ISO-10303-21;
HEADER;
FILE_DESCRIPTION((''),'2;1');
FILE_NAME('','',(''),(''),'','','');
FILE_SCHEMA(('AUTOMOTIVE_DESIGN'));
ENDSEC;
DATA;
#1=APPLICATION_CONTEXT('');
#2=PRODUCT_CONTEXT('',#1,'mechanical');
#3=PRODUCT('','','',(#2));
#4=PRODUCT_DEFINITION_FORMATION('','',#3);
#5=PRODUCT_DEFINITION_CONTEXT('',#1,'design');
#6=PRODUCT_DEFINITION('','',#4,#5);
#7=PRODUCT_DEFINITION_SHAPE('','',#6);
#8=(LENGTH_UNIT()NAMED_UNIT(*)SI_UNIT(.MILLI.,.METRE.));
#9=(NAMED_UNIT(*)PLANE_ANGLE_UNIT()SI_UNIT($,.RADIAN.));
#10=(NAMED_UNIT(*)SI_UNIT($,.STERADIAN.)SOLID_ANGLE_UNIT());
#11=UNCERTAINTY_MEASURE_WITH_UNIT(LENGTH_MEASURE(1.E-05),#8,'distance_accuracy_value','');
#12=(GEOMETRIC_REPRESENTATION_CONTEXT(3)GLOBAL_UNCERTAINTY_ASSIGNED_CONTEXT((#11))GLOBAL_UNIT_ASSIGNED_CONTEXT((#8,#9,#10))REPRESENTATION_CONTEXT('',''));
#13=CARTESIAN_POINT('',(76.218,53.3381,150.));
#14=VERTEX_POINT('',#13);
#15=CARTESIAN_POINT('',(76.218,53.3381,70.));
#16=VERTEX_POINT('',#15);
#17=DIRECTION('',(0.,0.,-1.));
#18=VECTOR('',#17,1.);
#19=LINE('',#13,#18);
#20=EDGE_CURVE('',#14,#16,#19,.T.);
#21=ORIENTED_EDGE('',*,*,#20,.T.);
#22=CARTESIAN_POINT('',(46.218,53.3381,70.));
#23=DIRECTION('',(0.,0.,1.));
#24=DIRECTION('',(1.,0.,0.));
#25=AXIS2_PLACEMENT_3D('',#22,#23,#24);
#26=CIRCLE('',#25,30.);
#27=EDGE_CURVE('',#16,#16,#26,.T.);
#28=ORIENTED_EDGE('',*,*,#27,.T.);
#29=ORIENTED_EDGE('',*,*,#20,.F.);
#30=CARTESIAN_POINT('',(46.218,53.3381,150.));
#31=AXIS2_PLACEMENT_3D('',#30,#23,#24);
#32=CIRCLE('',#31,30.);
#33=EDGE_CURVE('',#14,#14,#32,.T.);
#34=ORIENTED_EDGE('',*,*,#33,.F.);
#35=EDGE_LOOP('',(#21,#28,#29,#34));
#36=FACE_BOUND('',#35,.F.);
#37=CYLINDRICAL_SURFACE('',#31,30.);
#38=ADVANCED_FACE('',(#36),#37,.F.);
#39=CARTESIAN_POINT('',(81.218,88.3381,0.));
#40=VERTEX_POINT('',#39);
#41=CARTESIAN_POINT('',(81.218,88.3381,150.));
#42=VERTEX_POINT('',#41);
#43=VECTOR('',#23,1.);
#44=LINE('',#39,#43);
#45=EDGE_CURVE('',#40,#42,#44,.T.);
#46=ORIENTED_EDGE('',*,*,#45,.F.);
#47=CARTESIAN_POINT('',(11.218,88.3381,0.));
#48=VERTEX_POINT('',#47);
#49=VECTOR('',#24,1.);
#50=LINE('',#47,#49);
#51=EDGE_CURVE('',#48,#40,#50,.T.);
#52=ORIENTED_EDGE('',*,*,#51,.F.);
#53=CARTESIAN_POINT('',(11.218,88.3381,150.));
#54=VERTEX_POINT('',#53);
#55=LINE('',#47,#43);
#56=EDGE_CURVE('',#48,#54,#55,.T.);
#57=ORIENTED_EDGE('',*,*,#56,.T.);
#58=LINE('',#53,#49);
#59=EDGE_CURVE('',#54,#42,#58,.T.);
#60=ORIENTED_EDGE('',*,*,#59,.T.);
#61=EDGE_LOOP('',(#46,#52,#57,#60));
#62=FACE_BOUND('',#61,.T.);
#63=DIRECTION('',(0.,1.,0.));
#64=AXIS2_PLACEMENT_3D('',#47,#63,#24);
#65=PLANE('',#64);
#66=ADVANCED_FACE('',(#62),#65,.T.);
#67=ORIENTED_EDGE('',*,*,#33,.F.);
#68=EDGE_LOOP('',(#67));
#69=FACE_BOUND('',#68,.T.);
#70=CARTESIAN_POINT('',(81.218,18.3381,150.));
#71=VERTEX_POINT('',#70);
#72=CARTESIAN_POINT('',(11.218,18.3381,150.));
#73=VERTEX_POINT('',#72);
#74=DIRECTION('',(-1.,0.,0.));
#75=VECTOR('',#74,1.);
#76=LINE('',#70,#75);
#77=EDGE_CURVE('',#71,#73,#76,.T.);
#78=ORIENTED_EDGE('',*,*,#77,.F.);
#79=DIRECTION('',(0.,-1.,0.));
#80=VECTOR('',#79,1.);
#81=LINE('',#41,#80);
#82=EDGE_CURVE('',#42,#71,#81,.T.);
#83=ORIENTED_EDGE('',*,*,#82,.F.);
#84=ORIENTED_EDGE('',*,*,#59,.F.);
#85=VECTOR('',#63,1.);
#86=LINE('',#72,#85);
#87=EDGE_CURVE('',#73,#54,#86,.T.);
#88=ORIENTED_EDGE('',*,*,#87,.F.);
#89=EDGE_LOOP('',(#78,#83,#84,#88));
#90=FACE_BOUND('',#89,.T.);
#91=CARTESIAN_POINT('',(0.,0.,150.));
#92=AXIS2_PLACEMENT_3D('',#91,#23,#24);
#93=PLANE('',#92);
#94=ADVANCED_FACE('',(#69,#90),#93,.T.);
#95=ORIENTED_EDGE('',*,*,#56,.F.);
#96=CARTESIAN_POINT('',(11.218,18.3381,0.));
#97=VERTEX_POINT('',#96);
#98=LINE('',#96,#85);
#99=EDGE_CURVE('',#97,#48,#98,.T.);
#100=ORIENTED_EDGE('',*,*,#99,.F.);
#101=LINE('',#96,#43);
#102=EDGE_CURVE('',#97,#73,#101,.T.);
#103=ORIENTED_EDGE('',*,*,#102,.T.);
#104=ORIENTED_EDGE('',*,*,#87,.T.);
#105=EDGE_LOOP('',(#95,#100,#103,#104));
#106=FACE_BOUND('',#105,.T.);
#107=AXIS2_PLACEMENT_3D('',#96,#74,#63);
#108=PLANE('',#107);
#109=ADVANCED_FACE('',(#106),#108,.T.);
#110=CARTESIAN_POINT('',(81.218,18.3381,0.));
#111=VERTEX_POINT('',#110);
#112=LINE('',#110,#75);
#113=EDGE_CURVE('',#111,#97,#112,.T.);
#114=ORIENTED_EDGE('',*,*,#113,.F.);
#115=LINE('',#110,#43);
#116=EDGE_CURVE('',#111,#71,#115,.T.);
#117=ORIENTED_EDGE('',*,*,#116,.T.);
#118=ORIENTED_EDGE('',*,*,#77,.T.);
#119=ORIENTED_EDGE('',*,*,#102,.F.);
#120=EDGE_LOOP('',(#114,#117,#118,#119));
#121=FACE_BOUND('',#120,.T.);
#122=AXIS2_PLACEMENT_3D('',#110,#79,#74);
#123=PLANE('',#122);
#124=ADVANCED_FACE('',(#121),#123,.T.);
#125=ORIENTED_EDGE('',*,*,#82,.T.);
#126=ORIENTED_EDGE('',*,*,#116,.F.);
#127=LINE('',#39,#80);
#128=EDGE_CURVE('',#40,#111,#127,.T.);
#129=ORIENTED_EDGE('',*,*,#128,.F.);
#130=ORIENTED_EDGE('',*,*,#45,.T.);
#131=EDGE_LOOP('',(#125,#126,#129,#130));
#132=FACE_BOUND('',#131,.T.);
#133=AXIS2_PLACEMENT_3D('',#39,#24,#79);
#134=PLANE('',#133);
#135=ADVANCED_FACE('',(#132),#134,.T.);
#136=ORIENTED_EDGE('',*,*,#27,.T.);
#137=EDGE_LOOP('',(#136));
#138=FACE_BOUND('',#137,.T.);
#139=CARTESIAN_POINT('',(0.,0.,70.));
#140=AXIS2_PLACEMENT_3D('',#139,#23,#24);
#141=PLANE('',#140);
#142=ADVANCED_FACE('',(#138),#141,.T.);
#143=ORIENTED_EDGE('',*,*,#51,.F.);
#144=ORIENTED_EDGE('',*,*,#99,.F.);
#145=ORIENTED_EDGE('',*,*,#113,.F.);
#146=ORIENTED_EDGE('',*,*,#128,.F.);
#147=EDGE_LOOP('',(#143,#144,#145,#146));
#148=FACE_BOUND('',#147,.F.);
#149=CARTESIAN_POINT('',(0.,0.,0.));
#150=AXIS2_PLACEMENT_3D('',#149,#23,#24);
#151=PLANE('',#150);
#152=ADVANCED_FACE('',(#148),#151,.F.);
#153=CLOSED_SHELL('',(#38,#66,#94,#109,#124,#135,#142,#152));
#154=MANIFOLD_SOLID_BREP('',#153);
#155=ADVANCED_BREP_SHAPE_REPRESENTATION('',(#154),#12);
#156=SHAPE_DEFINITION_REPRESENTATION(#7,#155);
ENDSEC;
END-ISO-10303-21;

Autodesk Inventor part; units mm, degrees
ref_plane "YZ Plane" through (0, 0, 0) normal (1, 0, 0) x (0, 1, 0)
ref_plane "XZ Plane" through (0, 0, 0) normal (0, 1, 0) x (-1, 0, 0)
ref_plane "XY Plane" through (0, 0, 0) normal (0, 0, 1) x (1, 0, 0)
sketch "Sketch1" plane through (0, 0, 0) normal (0, 0, 1) x (1, 0, 0)
  line L0 (11.218, 88.3381) -> (81.218, 88.3381)
  line L1 (81.218, 88.3381) -> (81.218, 18.3381)
  line L2 (81.218, 18.3381) -> (11.218, 18.3381)
  line L3 (11.218, 18.3381) -> (11.218, 88.3381)
  line L4 (11.218, 88.3381) -> (81.218, 18.3381) construction
  line L5 (81.218, 88.3381) -> (11.218, 18.3381) construction
  point P0 (0, 0)
  point P1 (46.218, 53.3381)
  dimension "d0" = 70
  dimension "d1" = 70
extrude "Extrusion1" add sketch "Sketch1" along normal blind 150
sketch "Sketch2" plane through (0, 0, 150) normal (0, 0, 1) x (1, 0, 0)
  circle A0 centre (46.218, 53.3381) radius 30
  line L0 (81.218, 88.3381) -> (11.218, 88.3381) projected
  line L1 (81.218, 18.3381) -> (81.218, 88.3381) projected
  point P0 (0, 0)
  point P1 (46.218, 88.3381)
  point P2 (81.218, 53.3381)
  dimension "d4" = 60
  dimension "d5" = 35
  dimension "d6" = 35
extrude "Extrusion2" cut sketch "Sketch2" against normal blind 80
properties part number "shootingstand"
